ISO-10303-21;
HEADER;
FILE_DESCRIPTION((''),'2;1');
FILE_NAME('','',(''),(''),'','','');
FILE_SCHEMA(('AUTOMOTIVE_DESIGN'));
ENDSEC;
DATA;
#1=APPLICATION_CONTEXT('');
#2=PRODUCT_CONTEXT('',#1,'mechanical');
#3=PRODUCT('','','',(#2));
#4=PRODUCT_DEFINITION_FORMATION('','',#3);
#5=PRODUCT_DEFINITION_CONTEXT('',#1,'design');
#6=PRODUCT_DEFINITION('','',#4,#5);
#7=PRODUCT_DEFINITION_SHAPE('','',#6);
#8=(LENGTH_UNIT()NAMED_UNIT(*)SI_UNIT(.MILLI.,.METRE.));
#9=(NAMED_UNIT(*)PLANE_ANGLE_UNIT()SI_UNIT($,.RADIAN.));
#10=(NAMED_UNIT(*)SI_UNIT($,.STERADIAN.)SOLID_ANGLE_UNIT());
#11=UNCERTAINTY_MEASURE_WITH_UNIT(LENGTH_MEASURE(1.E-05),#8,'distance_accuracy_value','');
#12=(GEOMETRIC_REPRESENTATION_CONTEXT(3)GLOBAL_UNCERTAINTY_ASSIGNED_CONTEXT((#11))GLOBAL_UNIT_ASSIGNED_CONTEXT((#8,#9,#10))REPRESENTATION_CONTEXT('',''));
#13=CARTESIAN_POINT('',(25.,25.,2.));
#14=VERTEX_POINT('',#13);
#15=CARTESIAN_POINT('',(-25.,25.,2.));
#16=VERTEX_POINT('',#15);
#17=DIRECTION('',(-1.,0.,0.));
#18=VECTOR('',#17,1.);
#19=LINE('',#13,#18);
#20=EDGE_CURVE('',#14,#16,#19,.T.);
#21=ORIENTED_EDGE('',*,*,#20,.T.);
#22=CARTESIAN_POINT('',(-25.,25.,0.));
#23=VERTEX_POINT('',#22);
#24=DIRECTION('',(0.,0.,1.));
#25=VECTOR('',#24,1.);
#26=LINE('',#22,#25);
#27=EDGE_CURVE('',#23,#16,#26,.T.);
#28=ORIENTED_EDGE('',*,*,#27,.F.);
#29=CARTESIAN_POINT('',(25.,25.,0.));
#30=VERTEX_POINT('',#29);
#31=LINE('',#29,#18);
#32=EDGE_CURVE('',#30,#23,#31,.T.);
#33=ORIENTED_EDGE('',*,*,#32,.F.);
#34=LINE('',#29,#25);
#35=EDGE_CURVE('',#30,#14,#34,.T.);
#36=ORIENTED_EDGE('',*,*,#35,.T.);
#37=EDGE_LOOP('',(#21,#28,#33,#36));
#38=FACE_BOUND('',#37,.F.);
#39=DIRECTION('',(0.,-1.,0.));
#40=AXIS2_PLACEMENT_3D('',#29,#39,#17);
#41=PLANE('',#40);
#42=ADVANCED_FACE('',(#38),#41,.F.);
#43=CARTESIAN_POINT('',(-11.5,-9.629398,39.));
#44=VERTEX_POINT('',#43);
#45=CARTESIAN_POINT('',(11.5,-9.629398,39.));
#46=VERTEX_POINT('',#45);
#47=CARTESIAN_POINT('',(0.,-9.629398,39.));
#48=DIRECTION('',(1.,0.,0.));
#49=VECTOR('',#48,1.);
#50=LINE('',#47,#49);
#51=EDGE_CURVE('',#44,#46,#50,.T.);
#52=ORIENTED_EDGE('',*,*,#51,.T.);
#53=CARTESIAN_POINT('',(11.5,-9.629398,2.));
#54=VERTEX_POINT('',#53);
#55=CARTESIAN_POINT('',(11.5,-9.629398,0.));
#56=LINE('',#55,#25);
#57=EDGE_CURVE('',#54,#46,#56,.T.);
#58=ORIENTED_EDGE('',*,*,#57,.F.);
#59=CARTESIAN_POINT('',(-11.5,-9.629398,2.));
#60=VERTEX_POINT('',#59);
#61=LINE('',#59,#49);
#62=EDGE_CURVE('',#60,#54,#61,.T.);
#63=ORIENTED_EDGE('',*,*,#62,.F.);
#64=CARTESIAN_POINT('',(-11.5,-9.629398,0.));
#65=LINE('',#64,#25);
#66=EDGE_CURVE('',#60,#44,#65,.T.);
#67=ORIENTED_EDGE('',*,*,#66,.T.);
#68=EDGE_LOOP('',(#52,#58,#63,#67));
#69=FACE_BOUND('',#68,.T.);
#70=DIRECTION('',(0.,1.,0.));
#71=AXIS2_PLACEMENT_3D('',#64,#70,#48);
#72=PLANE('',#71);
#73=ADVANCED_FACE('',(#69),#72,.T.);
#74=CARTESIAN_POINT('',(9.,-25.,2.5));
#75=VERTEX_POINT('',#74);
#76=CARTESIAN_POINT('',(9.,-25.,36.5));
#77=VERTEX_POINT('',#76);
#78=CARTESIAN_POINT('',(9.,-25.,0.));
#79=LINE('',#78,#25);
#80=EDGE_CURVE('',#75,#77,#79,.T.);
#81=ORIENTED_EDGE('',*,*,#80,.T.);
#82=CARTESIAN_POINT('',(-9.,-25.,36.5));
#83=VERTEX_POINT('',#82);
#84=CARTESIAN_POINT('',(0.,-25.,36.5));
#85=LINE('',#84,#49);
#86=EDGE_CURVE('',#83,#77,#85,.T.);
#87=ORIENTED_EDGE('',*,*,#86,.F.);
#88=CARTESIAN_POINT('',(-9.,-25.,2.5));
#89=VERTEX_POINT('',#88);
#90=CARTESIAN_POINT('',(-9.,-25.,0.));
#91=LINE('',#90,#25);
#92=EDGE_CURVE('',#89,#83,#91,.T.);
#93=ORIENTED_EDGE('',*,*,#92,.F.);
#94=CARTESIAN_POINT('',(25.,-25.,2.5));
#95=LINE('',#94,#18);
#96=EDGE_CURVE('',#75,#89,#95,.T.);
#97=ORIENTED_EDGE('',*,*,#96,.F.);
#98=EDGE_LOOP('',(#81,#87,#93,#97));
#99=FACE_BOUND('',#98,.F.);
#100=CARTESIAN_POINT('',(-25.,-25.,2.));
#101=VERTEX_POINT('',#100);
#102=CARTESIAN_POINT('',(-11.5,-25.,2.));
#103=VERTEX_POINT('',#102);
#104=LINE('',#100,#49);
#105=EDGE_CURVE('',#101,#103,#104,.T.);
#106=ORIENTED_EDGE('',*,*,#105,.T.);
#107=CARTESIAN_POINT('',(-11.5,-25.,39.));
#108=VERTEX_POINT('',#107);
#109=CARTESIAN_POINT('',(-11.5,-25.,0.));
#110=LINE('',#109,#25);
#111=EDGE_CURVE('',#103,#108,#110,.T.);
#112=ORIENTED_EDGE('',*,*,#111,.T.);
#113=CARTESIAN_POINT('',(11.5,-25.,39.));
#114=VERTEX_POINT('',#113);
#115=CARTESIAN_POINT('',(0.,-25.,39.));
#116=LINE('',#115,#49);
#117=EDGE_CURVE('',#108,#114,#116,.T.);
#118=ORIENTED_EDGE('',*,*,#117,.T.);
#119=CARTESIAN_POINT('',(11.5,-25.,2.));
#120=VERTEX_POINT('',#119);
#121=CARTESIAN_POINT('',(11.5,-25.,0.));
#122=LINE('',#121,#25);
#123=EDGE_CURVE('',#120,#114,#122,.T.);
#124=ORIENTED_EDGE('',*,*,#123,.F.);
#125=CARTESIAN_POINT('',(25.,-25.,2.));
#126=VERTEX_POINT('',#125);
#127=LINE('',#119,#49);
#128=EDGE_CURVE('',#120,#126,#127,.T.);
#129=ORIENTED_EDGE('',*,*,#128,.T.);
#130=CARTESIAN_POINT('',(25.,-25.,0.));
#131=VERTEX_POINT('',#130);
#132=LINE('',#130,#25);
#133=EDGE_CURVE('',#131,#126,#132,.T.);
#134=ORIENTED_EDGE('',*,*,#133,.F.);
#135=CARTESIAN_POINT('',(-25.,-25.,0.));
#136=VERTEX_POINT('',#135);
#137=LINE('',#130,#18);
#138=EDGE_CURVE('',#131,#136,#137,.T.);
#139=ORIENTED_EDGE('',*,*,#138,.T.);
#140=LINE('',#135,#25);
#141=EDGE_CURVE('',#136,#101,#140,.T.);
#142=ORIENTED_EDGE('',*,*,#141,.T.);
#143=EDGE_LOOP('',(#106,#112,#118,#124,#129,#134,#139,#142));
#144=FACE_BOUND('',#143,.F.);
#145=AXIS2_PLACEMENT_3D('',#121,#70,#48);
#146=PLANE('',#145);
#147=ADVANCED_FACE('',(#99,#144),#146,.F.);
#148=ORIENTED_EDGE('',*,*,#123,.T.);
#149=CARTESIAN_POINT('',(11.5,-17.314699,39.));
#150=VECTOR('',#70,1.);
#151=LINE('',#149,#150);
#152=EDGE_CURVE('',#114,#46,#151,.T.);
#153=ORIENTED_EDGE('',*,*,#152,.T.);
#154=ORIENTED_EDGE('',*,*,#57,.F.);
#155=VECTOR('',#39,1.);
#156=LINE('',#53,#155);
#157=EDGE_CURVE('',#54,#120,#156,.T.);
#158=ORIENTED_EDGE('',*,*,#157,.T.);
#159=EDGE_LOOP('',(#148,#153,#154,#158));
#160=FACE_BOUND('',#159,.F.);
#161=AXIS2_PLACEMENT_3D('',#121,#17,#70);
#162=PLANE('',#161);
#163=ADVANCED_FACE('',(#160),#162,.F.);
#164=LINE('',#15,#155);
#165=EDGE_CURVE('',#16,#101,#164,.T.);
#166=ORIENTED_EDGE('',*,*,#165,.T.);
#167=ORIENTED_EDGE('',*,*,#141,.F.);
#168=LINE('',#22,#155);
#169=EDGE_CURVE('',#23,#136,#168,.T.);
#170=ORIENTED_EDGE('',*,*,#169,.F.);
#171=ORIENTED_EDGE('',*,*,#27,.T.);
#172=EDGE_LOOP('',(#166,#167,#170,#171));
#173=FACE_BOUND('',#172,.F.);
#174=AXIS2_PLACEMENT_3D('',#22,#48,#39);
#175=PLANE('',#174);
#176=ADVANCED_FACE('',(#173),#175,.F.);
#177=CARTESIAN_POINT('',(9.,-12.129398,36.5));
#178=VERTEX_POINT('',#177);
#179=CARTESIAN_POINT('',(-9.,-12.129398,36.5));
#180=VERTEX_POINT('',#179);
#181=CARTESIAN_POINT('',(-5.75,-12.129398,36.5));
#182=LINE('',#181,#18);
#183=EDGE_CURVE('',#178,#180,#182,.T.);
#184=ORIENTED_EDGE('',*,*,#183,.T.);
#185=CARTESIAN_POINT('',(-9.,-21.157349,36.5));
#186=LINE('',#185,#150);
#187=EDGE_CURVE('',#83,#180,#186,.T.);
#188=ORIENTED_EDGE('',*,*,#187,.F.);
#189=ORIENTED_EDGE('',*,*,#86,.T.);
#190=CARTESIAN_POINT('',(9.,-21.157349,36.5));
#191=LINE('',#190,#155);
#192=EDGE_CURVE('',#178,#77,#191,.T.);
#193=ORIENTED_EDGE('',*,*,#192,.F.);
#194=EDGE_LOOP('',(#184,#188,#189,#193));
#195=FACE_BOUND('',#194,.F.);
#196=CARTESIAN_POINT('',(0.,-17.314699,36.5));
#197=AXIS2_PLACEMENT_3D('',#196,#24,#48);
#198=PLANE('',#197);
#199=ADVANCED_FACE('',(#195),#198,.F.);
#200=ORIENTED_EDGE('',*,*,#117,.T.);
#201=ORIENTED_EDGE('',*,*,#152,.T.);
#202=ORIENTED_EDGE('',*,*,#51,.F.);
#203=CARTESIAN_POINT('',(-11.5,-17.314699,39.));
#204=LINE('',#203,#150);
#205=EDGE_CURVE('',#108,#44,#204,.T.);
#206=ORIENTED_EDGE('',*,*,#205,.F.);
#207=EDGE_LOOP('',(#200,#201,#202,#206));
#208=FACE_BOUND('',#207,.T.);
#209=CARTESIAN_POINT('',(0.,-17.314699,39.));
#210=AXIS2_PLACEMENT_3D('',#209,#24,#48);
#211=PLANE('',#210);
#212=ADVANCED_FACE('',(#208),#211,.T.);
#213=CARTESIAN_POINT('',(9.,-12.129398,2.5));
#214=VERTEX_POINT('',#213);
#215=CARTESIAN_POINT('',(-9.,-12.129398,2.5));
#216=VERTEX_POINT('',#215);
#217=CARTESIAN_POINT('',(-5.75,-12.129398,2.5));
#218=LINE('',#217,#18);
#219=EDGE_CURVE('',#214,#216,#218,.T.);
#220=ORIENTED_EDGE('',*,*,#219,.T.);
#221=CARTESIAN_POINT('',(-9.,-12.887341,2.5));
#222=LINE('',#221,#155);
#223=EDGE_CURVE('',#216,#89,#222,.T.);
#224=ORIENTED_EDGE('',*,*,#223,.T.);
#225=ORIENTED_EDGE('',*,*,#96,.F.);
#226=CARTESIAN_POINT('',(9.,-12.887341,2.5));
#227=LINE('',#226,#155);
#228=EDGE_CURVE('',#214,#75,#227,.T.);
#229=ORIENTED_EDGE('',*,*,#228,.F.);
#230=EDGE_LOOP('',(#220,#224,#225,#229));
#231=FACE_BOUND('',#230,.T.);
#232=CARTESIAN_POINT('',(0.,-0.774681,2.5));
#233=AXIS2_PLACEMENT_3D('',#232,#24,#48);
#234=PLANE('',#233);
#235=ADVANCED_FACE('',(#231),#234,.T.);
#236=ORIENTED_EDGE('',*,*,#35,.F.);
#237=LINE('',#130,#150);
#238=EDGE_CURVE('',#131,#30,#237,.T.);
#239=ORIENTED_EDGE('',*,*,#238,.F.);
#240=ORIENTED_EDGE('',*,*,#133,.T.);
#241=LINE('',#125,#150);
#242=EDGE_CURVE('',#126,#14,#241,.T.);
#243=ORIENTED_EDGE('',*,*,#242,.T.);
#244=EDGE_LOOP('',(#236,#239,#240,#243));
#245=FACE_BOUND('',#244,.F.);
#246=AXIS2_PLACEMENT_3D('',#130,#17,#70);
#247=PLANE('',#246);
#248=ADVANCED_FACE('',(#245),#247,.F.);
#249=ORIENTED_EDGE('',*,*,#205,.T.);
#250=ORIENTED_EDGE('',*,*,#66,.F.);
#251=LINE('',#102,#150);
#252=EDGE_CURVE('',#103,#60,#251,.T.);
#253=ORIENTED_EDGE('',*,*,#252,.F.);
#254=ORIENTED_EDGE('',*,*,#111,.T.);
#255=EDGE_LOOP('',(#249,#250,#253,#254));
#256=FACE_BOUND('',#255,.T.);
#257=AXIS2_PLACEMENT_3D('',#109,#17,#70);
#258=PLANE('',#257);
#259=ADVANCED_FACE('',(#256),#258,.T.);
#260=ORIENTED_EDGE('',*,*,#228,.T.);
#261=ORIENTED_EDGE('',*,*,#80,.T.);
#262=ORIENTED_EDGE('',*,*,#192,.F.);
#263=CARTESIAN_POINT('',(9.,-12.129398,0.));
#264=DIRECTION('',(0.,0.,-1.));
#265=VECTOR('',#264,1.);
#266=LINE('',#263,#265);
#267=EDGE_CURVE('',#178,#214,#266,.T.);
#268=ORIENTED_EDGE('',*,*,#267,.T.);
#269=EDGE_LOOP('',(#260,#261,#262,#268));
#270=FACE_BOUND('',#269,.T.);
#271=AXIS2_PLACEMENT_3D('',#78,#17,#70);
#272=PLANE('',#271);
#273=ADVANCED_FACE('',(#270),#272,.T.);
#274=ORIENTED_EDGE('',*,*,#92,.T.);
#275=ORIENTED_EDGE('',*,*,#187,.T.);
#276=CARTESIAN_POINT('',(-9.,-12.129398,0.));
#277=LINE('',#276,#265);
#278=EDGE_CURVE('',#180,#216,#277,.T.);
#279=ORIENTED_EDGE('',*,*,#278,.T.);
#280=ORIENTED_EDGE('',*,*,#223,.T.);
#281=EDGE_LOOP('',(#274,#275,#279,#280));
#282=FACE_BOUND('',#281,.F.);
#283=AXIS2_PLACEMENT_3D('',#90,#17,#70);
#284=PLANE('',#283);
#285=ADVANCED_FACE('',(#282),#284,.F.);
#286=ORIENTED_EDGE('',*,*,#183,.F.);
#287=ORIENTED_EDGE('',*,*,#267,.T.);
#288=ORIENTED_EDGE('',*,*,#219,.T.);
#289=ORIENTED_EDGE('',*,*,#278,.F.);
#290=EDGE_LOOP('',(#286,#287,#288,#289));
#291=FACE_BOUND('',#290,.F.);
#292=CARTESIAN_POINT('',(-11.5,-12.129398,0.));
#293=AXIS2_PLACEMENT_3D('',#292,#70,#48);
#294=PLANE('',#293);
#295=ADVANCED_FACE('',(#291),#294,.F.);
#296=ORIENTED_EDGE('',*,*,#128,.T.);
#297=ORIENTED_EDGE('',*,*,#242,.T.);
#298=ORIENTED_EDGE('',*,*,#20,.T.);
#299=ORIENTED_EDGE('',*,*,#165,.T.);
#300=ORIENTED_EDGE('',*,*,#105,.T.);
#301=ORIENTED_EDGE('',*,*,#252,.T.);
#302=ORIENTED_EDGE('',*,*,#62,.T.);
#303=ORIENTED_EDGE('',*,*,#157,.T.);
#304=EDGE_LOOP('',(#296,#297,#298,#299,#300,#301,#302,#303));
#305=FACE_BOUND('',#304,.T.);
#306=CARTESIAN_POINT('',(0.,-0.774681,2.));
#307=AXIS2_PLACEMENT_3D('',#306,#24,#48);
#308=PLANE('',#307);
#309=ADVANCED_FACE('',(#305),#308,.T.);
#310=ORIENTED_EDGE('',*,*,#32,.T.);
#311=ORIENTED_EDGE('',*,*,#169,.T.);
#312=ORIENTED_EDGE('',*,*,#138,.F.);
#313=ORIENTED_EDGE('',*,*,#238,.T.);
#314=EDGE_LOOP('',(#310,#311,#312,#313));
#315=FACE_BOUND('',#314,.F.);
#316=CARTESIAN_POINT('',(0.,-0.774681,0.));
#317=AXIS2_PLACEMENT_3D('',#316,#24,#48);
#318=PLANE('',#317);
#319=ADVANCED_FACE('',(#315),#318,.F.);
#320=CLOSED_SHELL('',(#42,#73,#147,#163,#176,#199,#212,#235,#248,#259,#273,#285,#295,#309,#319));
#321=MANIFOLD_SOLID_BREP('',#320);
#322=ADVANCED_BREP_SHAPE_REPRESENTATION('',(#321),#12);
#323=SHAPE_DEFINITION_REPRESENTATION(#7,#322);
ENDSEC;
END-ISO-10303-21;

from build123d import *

# Parameters (mm, degrees)
F0_W     = 23
F0_H     = 15.370602
F1_DEPTH = 39
F2_DEPTH = 2
F3_T     = -2.5


with BuildPart() as f1:
    # F0 (on Top) → F1 (new body)
    with BuildSketch(Plane.XY):
        with Locations((0, -17.314699)):
            Rectangle(F0_W, F0_H)
    extrude(amount=F1_DEPTH)

    # F0 (on Top) → F2 (join)
    with BuildSketch(Plane.XY):
        Polygon((25, 25), (-25, 25), (-25, -25), (-11.5, -25), (-11.5, -9.629398), (11.5, -9.629398), (11.5, -25), (25, -25), align=None)
    extrude(amount=F2_DEPTH)

    # F3
    f3_openings = [f1.faces().sort_by_distance(p)[0] for p in [
        (0, -25, 18.449527),
    ]]
    offset(amount=F3_T, openings=f3_openings)


solid = f1.part
